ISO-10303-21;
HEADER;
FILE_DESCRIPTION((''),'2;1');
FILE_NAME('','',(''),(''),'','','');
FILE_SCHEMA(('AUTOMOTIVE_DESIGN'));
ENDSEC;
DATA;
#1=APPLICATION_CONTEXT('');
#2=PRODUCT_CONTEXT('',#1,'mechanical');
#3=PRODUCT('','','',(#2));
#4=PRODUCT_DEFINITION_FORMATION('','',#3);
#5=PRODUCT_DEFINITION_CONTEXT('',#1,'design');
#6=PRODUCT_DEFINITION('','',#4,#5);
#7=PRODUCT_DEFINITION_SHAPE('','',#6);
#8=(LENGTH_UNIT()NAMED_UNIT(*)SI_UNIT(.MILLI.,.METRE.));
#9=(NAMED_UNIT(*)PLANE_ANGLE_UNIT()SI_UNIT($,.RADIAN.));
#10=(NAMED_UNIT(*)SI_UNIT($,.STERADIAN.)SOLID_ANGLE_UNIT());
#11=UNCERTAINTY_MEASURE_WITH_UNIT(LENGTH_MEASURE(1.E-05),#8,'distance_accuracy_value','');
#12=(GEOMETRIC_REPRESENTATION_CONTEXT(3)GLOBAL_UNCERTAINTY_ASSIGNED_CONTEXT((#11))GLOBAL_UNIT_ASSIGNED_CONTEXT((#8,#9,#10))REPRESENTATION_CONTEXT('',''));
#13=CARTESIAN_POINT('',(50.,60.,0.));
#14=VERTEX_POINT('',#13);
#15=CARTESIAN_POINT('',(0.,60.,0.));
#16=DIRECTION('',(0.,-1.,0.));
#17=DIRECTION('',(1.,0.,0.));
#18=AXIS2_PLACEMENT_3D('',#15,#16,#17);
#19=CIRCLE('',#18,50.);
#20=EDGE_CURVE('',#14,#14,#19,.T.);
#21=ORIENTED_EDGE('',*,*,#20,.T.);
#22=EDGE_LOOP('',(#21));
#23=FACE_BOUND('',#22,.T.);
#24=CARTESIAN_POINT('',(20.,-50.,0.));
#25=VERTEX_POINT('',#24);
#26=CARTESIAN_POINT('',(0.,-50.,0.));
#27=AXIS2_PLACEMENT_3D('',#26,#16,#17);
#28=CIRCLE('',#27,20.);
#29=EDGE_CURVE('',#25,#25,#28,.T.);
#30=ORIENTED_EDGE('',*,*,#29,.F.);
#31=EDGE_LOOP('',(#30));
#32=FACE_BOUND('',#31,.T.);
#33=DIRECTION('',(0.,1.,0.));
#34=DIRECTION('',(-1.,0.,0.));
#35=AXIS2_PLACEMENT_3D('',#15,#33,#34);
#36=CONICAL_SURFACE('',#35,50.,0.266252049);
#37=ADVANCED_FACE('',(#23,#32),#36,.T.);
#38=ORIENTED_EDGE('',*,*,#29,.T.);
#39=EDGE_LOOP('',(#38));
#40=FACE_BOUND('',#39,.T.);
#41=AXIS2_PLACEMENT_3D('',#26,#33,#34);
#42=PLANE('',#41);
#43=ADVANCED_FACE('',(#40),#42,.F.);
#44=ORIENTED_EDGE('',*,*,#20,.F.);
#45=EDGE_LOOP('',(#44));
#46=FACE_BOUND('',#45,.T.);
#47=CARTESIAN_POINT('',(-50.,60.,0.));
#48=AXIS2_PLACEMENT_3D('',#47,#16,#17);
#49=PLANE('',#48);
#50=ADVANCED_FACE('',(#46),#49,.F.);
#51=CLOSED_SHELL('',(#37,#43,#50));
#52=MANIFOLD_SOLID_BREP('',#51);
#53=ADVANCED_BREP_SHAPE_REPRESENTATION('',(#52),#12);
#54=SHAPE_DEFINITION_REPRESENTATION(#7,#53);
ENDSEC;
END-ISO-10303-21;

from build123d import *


with BuildPart() as part:
    # Sketch1 → Revolve1 (revolve)
    with BuildSketch(Plane.XY):
        Polygon((0, -50), (-20, -50), (-50, 60), (0, 60), align=None)
    revolve(axis=Axis((0, -50, 0), (0, 1, 0)))


solid = part.part
